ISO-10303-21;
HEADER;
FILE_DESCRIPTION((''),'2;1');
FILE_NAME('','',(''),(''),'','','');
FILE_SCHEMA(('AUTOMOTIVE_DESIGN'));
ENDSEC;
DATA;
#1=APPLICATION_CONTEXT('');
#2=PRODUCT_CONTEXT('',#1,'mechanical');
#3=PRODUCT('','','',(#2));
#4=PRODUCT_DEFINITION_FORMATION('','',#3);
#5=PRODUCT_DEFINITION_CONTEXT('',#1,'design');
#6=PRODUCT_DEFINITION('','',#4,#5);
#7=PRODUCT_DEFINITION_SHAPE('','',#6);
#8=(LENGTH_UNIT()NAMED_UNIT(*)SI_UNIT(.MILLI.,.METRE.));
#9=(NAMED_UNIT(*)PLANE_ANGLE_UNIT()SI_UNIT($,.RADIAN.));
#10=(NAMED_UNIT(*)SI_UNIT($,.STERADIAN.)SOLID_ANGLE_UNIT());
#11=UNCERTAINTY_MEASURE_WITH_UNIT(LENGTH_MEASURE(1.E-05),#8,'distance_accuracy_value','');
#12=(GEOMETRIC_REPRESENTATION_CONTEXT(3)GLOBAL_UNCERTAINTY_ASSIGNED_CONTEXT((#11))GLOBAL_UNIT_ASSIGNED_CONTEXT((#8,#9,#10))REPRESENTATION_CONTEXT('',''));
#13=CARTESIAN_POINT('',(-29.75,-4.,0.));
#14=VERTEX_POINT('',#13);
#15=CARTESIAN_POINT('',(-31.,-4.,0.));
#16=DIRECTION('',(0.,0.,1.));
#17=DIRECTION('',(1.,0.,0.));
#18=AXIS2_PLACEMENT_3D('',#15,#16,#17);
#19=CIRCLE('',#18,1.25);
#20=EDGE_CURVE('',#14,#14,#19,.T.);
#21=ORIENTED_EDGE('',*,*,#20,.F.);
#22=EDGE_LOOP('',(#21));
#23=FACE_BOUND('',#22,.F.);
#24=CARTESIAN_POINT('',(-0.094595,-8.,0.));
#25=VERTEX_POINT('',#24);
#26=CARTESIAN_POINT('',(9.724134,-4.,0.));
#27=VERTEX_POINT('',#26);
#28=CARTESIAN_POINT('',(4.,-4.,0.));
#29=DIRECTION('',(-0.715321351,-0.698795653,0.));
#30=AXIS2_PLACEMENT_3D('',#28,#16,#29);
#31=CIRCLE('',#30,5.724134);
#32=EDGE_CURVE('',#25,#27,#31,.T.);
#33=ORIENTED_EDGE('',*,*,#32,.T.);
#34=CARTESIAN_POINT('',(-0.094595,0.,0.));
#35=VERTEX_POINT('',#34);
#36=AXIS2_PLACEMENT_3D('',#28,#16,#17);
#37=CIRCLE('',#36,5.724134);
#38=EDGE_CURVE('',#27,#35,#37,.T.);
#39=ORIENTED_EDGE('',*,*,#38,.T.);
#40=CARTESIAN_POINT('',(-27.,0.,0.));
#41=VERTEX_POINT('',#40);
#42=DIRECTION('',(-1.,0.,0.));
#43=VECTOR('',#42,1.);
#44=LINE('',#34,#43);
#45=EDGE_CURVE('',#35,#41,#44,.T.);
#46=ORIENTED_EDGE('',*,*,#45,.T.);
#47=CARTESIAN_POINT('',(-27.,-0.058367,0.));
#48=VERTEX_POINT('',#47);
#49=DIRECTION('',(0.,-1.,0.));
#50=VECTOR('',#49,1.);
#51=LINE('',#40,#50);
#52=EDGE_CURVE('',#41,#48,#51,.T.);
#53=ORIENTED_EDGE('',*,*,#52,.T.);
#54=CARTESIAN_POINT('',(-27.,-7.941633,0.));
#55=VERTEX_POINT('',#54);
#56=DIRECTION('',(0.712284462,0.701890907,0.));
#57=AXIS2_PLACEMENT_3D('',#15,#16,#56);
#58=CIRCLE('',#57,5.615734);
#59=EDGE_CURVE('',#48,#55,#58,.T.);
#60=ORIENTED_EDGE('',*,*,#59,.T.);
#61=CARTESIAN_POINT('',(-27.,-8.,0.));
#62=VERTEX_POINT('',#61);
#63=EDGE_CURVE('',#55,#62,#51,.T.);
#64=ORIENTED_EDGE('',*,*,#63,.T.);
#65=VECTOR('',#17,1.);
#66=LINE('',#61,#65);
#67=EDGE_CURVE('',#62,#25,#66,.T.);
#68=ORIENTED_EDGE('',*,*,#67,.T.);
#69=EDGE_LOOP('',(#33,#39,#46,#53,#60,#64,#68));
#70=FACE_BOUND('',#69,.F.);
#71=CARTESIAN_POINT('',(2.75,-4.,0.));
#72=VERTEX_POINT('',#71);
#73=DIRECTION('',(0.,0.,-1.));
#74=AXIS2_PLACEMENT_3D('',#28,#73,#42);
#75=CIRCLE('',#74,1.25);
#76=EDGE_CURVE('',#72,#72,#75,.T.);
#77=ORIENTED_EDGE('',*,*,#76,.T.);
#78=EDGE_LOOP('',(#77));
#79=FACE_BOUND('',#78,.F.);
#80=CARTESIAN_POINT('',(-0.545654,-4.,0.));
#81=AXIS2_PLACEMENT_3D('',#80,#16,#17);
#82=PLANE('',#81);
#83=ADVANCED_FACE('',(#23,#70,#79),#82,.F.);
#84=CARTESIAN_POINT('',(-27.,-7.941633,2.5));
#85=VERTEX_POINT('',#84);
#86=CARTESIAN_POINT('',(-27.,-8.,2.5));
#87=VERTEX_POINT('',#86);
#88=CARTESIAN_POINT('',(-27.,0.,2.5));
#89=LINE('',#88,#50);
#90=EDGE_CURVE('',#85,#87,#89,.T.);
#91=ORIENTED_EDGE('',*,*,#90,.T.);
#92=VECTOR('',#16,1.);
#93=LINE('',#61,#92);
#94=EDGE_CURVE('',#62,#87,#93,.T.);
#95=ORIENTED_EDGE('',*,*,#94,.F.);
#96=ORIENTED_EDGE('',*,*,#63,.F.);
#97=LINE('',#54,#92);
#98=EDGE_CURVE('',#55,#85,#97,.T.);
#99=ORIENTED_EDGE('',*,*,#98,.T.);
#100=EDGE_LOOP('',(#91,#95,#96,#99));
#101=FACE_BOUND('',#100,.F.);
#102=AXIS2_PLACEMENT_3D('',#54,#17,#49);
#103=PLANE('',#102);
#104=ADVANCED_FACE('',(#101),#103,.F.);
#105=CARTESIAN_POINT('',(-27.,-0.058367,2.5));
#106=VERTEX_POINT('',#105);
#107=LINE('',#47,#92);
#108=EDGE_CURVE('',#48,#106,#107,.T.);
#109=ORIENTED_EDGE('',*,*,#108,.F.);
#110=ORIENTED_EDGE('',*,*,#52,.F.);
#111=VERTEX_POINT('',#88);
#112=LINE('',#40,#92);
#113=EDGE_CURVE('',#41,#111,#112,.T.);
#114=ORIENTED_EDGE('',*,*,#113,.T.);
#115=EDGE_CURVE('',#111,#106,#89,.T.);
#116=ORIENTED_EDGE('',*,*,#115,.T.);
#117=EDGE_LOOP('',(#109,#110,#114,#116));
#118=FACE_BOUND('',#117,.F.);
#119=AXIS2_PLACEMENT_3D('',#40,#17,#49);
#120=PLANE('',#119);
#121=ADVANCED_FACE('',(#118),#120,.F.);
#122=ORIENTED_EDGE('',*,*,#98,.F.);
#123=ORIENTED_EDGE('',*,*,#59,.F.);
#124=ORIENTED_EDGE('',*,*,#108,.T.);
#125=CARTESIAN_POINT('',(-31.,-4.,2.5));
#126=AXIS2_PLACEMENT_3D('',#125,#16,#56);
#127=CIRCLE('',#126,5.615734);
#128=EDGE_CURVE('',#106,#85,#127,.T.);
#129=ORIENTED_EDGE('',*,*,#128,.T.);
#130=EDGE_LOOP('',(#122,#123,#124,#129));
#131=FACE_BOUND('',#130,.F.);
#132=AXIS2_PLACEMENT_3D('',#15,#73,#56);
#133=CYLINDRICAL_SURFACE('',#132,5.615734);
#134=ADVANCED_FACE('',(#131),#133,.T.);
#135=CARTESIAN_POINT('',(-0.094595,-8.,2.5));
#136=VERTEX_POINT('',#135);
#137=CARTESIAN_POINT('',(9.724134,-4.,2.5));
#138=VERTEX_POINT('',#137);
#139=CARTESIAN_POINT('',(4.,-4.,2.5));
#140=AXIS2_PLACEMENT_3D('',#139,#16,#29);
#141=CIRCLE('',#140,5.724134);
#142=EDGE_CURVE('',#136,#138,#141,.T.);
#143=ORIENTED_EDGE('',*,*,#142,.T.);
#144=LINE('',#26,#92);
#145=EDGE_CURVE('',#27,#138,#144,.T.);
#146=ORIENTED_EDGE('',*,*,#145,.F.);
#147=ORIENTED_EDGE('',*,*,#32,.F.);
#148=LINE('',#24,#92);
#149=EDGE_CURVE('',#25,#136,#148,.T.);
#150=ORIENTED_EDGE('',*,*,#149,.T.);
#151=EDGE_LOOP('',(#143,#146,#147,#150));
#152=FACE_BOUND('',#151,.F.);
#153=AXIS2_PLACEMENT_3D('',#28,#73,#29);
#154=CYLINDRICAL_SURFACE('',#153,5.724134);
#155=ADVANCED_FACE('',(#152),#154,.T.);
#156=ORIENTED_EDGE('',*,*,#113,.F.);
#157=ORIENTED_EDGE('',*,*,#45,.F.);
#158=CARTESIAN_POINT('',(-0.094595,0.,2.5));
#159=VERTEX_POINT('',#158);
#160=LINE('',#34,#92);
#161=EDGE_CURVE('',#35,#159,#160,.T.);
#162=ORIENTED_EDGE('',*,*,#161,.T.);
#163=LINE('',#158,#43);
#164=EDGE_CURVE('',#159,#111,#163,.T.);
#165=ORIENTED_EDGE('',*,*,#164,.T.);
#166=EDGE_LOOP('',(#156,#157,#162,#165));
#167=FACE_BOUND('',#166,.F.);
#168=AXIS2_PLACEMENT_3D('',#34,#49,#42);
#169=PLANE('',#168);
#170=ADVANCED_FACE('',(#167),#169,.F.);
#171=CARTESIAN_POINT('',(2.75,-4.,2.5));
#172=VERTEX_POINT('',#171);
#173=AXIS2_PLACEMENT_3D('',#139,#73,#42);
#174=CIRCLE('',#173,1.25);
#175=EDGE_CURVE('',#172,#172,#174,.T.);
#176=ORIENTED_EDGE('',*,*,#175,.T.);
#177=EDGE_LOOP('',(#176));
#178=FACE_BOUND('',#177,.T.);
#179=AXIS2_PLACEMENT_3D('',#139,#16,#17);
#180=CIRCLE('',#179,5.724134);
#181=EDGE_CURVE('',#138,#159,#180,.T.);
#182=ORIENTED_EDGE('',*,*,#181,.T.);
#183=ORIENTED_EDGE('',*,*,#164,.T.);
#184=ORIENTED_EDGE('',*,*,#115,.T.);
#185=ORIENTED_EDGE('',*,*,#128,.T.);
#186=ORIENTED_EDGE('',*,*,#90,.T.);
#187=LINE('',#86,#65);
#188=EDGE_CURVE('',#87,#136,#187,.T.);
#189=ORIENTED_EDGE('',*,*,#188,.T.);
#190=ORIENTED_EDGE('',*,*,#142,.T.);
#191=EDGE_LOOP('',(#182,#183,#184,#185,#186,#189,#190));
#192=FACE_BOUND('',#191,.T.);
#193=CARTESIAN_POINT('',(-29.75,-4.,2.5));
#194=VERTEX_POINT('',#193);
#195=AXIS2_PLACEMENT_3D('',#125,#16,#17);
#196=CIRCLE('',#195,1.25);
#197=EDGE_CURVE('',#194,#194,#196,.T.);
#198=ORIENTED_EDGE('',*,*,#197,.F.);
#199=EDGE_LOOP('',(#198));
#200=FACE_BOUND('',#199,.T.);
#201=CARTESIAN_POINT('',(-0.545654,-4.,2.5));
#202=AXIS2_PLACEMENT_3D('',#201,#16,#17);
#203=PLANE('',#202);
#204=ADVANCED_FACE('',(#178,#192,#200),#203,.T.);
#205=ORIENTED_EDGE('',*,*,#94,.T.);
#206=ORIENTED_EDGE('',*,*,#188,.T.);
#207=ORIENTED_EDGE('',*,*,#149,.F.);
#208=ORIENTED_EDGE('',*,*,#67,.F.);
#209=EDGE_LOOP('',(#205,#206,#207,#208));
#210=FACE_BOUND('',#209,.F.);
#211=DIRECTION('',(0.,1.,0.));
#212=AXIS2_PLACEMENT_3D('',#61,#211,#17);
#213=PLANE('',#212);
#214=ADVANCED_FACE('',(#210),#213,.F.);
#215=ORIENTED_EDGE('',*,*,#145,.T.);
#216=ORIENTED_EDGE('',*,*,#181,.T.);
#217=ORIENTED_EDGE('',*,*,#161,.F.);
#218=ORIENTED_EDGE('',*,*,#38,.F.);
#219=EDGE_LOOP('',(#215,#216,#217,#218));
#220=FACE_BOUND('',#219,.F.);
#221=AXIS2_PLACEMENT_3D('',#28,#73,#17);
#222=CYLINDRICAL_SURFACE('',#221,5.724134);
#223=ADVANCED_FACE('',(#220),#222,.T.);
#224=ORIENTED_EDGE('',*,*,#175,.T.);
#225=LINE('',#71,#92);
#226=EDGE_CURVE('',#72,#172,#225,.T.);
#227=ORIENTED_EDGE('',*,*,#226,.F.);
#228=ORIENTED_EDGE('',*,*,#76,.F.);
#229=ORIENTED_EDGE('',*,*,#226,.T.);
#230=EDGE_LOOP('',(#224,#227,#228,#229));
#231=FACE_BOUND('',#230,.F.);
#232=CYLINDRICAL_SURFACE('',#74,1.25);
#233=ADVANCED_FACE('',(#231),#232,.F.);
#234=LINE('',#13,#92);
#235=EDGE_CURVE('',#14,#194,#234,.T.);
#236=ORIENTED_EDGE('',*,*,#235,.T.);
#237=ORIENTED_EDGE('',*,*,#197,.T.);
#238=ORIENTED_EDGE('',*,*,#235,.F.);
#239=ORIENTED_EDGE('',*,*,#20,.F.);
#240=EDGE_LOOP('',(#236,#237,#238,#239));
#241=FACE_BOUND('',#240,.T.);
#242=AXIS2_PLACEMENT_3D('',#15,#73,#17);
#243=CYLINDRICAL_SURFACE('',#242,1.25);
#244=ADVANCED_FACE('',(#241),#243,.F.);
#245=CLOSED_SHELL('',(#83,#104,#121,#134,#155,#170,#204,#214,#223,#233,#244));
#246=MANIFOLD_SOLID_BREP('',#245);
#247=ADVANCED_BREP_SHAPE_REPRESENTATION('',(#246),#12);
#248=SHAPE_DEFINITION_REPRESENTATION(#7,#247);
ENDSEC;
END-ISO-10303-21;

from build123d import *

# Parameters (mm, degrees)
F0_R     = 1.25
F1_DEPTH = 2.5


with BuildPart() as f1:
    # F0 (on Top) → F1 (new body)
    with BuildSketch(Plane.XY):
        with BuildLine():
            Line((0, -4), (0, 0))
            Line((0, 0), (-0.0945953157, 0))
            ThreePointArc((-0.0945953157, 0), (-1.7241340654, -4), (-0.0945953157, -8))
            Line((-0.0945953157, -8), (0, -8))
            Line((0, -8), (0, -4))
        make_face()
        with BuildLine():
            Line((-0.0945953157, 0), (0, 0))
            Line((0, 0), (0, -4))
            Line((0, -4), (0, -8))
            Line((0, -8), (-0.0945953157, -8))
            ThreePointArc((-0.0945953157, -8), (6.159594669, -9.3011189069), (9.7241340654, -4))
            ThreePointArc((9.7241340654, -4), (6.159594669, 1.3011189069), (-0.0945953157, 0))
        make_face()
        with BuildLine():
            ThreePointArc((5.25, -4), (4, -5.25), (2.75, -4))
            ThreePointArc((2.75, -4), (4, -2.75), (5.25, -4))
        make_face(mode=Mode.SUBTRACT)
        with BuildLine():
            ThreePointArc((-0.0945953157, -8), (-1.7241340654, -4), (-0.0945953157, 0))
            Line((-0.0945953157, 0), (-27, 0))
            Line((-27, 0), (-27, -0.058367438))
            ThreePointArc((-27, -0.058367438), (-25.8038763073, -1.870031497), (-25.3842660984, -4))
            ThreePointArc((-25.3842660984, -4), (-25.8038763073, -6.129968503), (-27, -7.941632562))
            Line((-27, -7.941632562), (-27, -8))
            Line((-27, -8), (-0.0945953157, -8))
        make_face()
        with BuildLine():
            ThreePointArc((-25.3842660984, -4), (-25.8038763073, -1.870031497), (-27, -0.058367438))
            Line((-27, -0.058367438), (-27, -4))
            Line((-27, -4), (-27, -7.941632562))
            ThreePointArc((-27, -7.941632562), (-25.8038763073, -6.129968503), (-25.3842660984, -4))
        make_face()
        with BuildLine():
            Line((-27, -4), (-27, -0.058367438))
            ThreePointArc((-27, -0.058367438), (-36.6157339016, -4), (-27, -7.941632562))
            Line((-27, -7.941632562), (-27, -4))
        make_face()
        with Locations((-31, -4)):
            Circle(F0_R, mode=Mode.SUBTRACT)
    extrude(amount=F1_DEPTH)


solid = f1.part
